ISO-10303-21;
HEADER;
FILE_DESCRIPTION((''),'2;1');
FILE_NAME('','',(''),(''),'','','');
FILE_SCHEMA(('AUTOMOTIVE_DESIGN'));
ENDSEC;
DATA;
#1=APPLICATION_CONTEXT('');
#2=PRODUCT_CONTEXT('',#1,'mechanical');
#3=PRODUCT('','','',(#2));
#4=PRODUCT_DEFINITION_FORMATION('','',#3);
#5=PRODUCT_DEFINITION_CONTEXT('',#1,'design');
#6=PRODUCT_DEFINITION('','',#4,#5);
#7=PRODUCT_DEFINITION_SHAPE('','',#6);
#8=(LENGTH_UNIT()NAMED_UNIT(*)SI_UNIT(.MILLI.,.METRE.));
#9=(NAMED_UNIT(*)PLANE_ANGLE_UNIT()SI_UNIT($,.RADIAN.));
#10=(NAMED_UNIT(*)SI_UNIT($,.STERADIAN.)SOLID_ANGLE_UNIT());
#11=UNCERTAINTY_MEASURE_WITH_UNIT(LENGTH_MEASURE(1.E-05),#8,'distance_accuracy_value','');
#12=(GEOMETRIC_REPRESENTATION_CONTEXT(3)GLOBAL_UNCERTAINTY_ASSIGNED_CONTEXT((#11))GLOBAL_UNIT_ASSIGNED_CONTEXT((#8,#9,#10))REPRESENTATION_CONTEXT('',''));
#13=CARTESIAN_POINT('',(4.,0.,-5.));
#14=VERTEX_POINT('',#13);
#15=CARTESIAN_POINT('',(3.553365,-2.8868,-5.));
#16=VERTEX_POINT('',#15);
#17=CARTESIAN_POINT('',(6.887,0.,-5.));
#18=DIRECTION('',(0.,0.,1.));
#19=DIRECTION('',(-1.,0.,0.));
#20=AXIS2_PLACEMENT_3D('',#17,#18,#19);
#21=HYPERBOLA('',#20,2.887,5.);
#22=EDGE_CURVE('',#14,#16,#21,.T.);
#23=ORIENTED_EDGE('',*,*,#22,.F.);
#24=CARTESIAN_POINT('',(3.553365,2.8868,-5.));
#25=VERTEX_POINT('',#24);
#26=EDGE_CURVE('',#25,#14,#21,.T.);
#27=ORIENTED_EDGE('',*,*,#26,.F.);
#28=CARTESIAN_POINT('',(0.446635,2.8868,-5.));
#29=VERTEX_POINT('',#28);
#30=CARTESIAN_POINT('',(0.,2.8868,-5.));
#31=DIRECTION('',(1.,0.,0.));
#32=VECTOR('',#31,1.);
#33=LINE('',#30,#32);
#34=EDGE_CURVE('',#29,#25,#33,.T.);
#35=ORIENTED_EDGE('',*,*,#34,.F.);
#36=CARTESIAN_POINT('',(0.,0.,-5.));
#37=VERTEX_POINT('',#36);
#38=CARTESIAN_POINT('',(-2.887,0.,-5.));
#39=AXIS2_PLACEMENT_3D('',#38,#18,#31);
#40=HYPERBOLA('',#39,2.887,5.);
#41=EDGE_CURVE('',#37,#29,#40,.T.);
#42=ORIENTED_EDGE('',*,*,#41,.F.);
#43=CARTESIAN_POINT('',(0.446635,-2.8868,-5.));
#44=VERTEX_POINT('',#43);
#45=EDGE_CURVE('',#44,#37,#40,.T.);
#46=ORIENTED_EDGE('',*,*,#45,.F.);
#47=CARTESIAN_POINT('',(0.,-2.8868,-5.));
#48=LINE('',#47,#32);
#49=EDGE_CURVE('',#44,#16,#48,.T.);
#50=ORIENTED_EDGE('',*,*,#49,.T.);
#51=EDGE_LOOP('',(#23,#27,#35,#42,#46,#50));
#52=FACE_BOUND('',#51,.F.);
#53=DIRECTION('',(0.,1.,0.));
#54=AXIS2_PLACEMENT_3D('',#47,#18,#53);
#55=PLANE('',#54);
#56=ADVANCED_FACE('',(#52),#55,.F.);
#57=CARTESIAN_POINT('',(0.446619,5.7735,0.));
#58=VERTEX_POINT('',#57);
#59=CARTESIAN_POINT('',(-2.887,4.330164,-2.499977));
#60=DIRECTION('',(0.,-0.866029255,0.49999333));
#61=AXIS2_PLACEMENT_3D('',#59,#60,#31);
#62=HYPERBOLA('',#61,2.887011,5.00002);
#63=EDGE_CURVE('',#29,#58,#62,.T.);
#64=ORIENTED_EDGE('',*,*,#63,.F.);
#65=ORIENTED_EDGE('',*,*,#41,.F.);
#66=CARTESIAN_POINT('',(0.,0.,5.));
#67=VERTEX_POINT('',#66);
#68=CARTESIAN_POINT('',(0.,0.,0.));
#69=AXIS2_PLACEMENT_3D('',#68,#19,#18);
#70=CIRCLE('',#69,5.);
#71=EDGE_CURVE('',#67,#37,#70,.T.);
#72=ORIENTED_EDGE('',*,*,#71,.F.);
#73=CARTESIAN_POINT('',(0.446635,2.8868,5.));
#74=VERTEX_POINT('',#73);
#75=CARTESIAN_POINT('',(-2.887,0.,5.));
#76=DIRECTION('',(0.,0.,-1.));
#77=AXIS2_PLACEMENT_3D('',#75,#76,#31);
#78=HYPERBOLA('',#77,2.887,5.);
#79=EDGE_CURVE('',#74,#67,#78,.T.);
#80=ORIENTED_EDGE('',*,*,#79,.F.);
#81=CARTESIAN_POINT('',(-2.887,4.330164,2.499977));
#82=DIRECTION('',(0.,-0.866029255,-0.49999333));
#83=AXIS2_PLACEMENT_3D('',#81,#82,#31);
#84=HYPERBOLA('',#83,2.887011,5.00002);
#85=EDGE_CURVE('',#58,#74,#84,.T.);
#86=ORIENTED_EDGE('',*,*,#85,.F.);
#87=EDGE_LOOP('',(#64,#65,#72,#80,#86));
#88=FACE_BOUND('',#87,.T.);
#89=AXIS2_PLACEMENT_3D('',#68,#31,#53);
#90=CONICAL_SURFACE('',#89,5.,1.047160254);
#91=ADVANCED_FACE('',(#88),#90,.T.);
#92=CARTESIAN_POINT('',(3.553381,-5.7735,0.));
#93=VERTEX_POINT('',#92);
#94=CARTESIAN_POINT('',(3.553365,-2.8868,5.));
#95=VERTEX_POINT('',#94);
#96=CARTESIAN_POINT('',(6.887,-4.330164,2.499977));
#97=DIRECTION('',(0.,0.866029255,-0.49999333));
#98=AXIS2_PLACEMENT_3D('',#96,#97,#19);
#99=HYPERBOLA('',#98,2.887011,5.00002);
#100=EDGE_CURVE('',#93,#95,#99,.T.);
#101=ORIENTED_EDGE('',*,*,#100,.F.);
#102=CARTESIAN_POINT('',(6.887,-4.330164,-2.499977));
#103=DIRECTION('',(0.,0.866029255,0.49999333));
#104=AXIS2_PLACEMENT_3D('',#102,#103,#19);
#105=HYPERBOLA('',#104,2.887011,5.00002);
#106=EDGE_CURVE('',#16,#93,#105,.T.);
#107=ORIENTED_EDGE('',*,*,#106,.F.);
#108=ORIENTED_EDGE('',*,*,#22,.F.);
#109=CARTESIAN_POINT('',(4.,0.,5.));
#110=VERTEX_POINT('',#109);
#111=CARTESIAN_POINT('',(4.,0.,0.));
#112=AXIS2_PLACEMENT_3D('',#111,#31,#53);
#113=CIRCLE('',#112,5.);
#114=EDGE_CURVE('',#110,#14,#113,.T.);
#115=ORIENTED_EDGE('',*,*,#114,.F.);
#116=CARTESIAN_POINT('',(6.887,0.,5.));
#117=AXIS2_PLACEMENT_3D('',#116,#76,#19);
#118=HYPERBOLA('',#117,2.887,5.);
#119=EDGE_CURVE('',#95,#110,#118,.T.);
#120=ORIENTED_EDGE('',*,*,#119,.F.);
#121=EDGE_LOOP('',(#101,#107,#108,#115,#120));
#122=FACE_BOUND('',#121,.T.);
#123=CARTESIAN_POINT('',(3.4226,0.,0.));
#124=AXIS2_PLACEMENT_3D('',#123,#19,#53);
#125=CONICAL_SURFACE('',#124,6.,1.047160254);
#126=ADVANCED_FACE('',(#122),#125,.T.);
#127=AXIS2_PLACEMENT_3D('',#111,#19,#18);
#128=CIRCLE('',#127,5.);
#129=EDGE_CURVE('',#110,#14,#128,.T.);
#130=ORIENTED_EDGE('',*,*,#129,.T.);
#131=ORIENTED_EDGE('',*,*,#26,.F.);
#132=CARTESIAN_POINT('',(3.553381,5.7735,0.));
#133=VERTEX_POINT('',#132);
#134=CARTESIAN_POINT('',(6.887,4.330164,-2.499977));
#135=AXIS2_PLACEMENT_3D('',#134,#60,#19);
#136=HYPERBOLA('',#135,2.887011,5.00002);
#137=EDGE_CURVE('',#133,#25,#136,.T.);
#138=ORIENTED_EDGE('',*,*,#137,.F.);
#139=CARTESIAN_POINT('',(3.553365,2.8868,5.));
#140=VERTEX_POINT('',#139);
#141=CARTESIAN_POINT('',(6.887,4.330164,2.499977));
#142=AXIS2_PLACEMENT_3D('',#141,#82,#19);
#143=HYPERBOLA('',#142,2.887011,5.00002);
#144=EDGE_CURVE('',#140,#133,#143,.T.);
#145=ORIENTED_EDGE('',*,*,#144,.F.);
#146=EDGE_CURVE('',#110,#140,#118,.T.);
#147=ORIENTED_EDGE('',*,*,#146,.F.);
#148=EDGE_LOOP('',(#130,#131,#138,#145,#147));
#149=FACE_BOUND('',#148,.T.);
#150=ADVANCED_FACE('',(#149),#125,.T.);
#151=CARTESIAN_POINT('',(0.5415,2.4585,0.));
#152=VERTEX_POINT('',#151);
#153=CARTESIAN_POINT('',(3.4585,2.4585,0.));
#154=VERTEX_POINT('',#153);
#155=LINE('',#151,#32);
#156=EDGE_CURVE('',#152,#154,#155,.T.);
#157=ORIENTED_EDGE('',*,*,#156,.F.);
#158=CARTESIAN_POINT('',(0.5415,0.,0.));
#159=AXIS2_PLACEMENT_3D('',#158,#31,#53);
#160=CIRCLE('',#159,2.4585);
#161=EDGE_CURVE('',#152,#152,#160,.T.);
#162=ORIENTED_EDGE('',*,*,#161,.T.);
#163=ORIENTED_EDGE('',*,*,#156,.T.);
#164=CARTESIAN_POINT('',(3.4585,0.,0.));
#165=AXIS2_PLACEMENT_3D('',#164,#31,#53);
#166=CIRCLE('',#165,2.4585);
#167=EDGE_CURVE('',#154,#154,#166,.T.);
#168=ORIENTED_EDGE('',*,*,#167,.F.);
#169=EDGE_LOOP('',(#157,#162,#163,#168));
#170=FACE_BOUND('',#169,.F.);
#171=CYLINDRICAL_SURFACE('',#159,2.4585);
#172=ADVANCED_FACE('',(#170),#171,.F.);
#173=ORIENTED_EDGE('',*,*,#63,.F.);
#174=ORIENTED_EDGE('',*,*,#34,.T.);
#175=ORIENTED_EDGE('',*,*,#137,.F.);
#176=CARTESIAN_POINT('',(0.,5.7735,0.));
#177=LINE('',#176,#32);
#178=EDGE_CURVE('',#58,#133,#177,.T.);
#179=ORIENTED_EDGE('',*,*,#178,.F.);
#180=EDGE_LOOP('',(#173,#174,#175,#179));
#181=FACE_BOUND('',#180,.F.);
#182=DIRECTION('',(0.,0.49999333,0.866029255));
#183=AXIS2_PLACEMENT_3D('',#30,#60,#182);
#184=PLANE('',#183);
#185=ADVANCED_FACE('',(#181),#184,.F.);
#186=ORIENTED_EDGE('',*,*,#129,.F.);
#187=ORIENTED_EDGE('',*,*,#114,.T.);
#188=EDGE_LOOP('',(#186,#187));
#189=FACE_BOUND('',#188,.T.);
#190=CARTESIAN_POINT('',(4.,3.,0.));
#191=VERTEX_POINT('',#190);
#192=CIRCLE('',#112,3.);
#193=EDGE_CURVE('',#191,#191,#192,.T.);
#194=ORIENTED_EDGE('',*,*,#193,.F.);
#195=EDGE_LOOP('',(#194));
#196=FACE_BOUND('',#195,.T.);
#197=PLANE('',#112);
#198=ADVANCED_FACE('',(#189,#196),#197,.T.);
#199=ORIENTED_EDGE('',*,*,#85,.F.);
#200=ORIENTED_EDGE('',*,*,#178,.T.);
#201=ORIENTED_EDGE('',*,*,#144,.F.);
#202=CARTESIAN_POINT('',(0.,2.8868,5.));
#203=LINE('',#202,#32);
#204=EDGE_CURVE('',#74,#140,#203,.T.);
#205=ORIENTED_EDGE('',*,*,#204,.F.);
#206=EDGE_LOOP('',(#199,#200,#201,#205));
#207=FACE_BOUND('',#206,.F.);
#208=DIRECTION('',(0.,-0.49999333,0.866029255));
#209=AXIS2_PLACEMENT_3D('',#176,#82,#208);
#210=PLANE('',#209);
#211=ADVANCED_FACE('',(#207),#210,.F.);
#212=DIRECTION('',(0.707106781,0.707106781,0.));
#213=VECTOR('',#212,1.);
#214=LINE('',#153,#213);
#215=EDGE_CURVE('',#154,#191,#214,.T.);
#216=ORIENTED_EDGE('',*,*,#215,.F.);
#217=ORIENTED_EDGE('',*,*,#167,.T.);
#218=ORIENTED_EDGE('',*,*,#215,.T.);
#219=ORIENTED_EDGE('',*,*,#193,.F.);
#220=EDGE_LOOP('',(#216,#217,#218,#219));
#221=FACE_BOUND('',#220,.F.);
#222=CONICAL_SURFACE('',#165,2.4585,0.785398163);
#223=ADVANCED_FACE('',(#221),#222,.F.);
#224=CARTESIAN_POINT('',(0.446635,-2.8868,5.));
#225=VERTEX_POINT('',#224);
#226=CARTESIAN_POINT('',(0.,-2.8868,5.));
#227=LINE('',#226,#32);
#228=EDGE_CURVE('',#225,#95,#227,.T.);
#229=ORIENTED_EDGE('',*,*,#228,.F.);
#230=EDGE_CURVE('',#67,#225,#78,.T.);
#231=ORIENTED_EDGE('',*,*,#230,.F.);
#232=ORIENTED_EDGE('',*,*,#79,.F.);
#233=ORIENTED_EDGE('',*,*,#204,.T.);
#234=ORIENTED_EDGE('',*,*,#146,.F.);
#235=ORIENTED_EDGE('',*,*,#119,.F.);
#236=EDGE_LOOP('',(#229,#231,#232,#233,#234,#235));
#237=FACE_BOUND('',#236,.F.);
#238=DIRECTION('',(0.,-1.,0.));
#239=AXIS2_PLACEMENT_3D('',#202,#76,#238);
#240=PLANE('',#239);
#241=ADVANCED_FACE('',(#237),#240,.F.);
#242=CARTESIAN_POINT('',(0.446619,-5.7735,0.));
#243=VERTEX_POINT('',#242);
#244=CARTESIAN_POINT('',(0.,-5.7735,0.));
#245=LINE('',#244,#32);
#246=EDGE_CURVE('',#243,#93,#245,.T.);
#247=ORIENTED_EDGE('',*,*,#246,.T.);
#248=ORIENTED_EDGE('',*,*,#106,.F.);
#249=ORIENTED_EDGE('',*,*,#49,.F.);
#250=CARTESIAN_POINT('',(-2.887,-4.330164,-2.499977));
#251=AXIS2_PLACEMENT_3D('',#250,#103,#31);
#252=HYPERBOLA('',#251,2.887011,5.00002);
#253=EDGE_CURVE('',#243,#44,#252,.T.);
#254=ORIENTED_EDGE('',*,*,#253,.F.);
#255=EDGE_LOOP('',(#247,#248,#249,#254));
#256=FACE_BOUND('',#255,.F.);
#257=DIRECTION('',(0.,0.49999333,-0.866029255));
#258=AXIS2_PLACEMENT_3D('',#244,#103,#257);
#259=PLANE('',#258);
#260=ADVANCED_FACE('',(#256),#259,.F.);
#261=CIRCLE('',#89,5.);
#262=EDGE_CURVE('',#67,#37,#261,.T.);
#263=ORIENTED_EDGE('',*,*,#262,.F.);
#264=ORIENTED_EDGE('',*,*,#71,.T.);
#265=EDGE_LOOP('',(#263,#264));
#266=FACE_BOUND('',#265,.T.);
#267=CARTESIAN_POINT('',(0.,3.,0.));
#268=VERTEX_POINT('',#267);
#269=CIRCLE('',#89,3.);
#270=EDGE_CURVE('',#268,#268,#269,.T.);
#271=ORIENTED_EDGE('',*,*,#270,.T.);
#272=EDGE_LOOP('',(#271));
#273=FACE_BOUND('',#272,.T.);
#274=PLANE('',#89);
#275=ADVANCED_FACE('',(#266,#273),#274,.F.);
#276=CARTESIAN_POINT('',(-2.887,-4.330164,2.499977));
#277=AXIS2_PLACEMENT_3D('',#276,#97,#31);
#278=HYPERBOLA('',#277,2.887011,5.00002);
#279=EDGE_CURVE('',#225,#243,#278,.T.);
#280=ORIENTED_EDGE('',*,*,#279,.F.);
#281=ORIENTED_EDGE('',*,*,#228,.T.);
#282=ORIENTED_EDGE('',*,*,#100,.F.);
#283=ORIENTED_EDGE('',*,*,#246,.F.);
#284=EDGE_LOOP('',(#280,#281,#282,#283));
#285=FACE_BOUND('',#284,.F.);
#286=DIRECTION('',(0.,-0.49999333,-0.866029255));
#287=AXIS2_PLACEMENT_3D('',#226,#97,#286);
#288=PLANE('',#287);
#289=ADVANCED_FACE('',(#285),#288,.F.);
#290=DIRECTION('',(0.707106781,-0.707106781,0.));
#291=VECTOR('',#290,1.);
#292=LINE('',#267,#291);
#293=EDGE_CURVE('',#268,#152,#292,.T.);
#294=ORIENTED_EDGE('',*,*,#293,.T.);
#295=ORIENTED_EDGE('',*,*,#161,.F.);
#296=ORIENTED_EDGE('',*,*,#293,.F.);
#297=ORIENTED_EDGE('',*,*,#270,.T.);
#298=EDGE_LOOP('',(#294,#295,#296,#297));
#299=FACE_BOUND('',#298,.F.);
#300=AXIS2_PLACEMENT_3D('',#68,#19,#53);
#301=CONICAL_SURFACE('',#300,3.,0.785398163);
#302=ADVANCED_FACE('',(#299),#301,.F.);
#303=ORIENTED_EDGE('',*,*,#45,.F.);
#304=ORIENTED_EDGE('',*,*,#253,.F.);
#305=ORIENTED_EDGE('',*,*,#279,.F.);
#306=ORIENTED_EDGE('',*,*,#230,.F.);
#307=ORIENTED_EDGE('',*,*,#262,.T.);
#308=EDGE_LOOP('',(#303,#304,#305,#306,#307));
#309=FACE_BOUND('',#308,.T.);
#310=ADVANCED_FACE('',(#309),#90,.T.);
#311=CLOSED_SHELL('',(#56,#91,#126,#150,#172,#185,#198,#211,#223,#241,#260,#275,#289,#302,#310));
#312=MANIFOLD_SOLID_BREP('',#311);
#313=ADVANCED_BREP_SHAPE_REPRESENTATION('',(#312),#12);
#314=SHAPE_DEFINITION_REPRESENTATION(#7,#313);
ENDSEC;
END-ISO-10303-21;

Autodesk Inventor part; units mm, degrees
sketch "Skizze_1" plane through (0, 0, 0) normal (0, 0, 1) x (1, 0, 0)
  line L0 (4, 0) -> (0, 0)
  line L1 (0, 0) -> (0, 5)
  line L2 (0, 5) -> (0.5774, 6)
  line L3 (0.5774, 6) -> (3.4226, 6)
  line L4 (3.4226, 6) -> (4, 5)
  line L5 (4, 5) -> (4, 0)
  line L6 (4, 0) -> (0, 0)
revolve "Revolution1" add sketch "Skizze_1" angle 360 about axis through (4, 0, 0) along (1, 0, 0)
sketch "Skizze_2_ALT_Drilling_1" plane through (0, 0, 0) normal (0, 0, 1) x (1, 0, 0)
  line L0 (4, 0) -> (0, 0)
  line L1 (0, 0) -> (0, 3)
  line L2 (0, 3) -> (0.5415, 2.4585)
  line L3 (0.5415, 2.4585) -> (3.4585, 2.4585)
  line L4 (3.4585, 2.4585) -> (4, 3)
  line L5 (4, 3) -> (4, 0)
  line L6 (4, 0) -> (0, 0)
revolve "Revolution2" cut sketch "Skizze_2_ALT_Drilling_1" angle 360 about axis through (4, 0, 0) along (1, 0, 0)
thread "Thread1" size "M6x1" class "6H" standard "ISO Metric profile" full length
sketch "Skizze_3" plane through (0, 0, 0) normal (1, 0, 0) x (0, 1, 0)
  line L0 (-10, 10) -> (-10, -10)
  line L1 (-10, -10) -> (10, -10)
  line L2 (10, -10) -> (10, 10)
  line L3 (10, 10) -> (-10, 10)
  line L4 (-2.8868, 5) -> (-5.7735, 0)
  line L5 (-5.7735, 0) -> (-2.8868, -5)
  line L6 (-2.8868, -5) -> (2.8868, -5)
  line L7 (2.8868, -5) -> (5.7735, 0)
  line L8 (5.7735, 0) -> (2.8868, 5)
  line L9 (2.8868, 5) -> (-2.8868, 5)
extrude "Extrusion1" cut sketch "Skizze_3" along normal blind 4
ref_plane "DADO1_XY" through (0, 0, 0) normal (1, 0, 0) x (0, 0, -1)
ref_plane "DADO1_YZ" through (0, 0, 0) normal (0, 0, -1) x (0, 1, 0)
ref_plane "DADO1_ZX" through (0, 0, 0) normal (0, 1, 0) x (1, 0, 0)
properties part number "U-12-16"
